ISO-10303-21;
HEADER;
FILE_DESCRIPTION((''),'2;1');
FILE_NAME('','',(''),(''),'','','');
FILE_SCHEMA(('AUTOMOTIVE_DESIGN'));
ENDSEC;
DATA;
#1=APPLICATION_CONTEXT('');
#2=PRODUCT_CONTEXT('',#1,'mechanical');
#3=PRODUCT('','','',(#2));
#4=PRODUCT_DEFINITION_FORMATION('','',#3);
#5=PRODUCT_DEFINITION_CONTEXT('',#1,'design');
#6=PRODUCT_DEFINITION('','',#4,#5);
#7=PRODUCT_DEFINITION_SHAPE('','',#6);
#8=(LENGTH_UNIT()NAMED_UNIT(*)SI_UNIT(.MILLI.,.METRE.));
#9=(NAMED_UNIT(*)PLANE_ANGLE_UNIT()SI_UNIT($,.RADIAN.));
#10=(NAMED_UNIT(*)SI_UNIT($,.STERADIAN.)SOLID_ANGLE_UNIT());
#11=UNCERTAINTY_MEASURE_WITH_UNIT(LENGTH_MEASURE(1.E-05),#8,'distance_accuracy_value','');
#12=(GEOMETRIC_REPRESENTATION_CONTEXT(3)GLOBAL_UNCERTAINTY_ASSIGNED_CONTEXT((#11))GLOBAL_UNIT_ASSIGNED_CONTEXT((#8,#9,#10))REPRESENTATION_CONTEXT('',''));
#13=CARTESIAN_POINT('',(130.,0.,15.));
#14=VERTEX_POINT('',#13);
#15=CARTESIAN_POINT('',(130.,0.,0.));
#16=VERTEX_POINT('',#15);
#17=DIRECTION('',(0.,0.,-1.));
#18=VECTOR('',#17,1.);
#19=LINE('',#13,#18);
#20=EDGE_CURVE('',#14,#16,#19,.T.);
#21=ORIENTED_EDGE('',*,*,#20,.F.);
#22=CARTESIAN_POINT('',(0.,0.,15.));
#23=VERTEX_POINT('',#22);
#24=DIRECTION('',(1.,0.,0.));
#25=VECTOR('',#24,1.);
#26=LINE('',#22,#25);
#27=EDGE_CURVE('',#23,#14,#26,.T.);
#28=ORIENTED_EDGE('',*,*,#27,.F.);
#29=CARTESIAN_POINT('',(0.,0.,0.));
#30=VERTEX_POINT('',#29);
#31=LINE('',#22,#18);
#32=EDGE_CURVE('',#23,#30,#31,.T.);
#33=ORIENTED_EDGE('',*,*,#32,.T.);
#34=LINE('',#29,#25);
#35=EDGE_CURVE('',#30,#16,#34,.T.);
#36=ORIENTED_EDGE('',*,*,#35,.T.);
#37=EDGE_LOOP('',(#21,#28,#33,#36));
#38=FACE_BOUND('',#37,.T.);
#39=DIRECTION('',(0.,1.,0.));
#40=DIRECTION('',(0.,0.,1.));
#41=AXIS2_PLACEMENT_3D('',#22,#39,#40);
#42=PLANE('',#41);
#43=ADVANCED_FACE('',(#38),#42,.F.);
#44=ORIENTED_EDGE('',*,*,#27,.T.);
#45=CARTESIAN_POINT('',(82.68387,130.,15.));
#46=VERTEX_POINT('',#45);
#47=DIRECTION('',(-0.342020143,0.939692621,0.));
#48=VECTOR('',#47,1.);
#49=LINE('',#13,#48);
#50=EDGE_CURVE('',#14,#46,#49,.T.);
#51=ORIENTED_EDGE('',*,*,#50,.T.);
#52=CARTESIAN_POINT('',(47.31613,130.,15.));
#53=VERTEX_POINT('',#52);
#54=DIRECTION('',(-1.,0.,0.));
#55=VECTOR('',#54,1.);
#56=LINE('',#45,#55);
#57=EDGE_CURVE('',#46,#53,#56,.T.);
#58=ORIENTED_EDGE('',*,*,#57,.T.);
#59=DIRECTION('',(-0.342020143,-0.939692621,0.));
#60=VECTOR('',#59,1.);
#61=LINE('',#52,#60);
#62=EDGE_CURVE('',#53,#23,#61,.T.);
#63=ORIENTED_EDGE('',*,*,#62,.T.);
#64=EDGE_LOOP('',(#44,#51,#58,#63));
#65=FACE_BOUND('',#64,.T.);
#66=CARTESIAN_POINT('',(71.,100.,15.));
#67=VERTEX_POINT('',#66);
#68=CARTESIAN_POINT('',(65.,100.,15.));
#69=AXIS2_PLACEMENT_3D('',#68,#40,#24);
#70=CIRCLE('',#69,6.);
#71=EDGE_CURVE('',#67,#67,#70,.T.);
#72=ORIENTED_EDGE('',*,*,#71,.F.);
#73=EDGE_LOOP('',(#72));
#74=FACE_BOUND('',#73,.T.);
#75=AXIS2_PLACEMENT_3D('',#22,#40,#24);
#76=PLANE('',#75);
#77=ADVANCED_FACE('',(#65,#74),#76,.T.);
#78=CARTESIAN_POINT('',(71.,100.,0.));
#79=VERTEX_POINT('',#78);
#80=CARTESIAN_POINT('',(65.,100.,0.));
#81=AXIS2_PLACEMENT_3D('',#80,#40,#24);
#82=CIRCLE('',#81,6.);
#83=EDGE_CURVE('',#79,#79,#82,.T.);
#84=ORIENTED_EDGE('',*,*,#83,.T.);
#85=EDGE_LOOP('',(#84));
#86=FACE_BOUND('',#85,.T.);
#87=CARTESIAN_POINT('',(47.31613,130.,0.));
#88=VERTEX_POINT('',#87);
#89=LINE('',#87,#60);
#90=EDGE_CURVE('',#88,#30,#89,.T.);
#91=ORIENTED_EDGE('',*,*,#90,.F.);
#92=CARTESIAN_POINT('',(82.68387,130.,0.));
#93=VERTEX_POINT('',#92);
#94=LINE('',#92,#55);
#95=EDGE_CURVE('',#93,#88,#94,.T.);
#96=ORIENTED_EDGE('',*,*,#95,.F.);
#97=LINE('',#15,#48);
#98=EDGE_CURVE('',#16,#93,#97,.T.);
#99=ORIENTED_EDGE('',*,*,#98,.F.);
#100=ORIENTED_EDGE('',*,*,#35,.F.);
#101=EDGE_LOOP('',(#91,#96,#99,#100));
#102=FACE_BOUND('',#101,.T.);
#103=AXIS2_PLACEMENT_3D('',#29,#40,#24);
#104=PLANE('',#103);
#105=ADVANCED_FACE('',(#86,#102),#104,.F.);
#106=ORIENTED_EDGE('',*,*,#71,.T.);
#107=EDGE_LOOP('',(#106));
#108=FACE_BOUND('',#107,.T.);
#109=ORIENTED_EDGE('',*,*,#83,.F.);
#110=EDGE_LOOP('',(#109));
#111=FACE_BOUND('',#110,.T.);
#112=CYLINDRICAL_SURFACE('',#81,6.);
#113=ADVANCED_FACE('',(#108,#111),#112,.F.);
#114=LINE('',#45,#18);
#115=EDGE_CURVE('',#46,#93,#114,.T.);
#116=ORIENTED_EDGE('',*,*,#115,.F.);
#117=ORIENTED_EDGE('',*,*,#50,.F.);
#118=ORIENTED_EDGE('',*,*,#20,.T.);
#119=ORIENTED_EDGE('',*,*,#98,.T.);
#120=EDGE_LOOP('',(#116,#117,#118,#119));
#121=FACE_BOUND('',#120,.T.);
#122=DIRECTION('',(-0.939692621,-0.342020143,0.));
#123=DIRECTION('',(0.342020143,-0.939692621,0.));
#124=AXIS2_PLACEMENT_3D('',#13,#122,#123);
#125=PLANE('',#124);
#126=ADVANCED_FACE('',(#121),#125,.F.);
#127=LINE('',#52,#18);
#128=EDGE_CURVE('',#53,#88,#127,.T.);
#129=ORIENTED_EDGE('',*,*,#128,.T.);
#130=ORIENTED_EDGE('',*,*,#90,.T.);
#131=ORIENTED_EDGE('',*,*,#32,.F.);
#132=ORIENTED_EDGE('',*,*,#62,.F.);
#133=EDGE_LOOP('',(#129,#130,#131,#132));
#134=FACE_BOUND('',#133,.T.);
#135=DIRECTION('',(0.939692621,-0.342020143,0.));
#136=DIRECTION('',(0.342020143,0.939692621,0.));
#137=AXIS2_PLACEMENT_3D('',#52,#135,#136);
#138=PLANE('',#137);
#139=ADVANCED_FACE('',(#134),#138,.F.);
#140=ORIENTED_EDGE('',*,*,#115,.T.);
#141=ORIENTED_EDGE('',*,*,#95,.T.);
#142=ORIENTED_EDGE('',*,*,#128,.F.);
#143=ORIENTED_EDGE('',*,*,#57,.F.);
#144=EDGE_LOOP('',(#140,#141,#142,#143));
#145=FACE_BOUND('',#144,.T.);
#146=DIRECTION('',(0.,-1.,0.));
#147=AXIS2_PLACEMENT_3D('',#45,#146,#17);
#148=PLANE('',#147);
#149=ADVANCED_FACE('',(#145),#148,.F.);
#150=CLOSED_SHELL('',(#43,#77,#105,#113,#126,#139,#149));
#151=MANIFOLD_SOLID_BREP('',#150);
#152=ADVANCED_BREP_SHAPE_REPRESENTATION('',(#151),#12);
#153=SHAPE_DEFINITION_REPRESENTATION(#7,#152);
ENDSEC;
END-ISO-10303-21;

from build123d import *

# Parameters (mm, degrees)
RESSALTO_EXTRUS_O1_DEPTH = 15
ESBO_O2_R                = 6
CORTE_EXTRUS_O1_DEPTH    = 185.458667457


with BuildPart() as part:
    # Esboço1 → Ressalto-extrusão1 (new body)
    with BuildSketch(Plane.XY):
        Polygon((0, 0), (130, 0), (82.683869545, 130), (47.316130455, 130), align=None)
    extrude(amount=RESSALTO_EXTRUS_O1_DEPTH)

    # Esboço2 → Corte-extrusão1 (cut, through all)
    with BuildSketch(Plane.XY.offset(15)):
        with Locations((65, 100)):
            Circle(ESBO_O2_R)
    extrude(amount=-CORTE_EXTRUS_O1_DEPTH, mode=Mode.SUBTRACT)


solid = part.part
